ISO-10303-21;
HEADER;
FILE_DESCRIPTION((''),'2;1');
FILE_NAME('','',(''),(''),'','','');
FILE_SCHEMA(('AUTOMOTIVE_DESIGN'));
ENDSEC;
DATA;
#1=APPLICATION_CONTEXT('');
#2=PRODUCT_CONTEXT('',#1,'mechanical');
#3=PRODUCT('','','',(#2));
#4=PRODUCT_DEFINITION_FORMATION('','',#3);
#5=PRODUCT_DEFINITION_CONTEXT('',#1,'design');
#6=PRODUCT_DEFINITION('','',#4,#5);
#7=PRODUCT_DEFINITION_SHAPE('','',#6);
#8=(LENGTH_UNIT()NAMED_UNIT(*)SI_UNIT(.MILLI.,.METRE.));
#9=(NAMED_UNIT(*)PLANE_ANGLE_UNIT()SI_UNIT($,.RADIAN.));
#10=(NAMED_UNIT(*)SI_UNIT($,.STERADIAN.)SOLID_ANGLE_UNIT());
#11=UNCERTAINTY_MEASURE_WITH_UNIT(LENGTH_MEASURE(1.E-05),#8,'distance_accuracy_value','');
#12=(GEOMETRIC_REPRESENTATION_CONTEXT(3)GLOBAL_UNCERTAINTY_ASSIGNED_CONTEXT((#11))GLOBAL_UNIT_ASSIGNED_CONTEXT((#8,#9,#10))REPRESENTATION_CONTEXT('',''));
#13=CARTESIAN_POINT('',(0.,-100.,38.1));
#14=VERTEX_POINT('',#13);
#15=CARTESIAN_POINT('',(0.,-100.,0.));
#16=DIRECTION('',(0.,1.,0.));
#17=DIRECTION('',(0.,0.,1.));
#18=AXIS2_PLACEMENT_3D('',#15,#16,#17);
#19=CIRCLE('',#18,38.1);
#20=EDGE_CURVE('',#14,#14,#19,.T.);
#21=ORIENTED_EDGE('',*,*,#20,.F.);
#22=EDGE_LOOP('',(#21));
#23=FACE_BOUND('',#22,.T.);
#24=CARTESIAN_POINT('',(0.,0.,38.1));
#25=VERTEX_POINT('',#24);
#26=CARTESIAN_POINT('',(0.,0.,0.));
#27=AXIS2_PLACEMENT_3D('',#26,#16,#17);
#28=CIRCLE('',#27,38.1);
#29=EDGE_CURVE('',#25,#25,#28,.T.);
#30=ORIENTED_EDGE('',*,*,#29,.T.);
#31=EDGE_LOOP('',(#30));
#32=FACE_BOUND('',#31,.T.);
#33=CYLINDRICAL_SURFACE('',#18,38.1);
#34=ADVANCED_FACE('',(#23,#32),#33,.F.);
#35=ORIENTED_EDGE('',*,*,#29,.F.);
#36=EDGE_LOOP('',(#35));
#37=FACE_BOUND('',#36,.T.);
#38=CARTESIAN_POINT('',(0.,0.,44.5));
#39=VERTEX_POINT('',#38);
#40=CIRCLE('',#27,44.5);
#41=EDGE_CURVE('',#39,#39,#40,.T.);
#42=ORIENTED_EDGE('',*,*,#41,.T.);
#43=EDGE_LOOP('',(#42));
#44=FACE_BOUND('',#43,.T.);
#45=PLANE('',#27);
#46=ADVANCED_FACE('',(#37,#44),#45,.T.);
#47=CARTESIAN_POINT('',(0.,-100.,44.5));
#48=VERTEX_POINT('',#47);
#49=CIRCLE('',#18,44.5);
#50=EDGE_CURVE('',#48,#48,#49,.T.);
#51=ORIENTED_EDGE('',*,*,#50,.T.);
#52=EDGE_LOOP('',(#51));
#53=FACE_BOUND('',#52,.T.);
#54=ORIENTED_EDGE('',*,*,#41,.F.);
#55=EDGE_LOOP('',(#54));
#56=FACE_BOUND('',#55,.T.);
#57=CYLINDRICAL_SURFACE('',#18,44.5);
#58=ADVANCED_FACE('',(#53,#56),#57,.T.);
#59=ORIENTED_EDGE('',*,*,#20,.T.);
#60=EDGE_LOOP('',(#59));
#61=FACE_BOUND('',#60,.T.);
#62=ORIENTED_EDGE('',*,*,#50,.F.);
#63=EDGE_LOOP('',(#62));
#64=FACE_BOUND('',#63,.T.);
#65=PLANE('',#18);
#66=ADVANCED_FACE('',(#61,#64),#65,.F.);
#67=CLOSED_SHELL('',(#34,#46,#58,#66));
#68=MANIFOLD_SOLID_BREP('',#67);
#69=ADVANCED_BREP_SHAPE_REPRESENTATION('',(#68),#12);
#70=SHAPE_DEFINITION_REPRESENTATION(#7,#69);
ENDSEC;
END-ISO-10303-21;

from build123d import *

# Parameters (mm, degrees)
SKETCH1_R           = 44.5
SKETCH1_R_2         = 41.6
SKETCH1_R_3         = 38.1
BOSS_EXTRUDE1_DEPTH = 100


with BuildPart() as part:
    # Sketch1 → Boss-Extrude1 (new body)
    with BuildSketch(Plane(origin=(0, 0, 0), x_dir=(1, 0, 0), z_dir=(0, 1, 0))):
        Circle(SKETCH1_R)
        Circle(SKETCH1_R_2, mode=Mode.SUBTRACT)
        Circle(SKETCH1_R_2)
        Circle(SKETCH1_R_3, mode=Mode.SUBTRACT)
    extrude(amount=-BOSS_EXTRUDE1_DEPTH)


solid = part.part
